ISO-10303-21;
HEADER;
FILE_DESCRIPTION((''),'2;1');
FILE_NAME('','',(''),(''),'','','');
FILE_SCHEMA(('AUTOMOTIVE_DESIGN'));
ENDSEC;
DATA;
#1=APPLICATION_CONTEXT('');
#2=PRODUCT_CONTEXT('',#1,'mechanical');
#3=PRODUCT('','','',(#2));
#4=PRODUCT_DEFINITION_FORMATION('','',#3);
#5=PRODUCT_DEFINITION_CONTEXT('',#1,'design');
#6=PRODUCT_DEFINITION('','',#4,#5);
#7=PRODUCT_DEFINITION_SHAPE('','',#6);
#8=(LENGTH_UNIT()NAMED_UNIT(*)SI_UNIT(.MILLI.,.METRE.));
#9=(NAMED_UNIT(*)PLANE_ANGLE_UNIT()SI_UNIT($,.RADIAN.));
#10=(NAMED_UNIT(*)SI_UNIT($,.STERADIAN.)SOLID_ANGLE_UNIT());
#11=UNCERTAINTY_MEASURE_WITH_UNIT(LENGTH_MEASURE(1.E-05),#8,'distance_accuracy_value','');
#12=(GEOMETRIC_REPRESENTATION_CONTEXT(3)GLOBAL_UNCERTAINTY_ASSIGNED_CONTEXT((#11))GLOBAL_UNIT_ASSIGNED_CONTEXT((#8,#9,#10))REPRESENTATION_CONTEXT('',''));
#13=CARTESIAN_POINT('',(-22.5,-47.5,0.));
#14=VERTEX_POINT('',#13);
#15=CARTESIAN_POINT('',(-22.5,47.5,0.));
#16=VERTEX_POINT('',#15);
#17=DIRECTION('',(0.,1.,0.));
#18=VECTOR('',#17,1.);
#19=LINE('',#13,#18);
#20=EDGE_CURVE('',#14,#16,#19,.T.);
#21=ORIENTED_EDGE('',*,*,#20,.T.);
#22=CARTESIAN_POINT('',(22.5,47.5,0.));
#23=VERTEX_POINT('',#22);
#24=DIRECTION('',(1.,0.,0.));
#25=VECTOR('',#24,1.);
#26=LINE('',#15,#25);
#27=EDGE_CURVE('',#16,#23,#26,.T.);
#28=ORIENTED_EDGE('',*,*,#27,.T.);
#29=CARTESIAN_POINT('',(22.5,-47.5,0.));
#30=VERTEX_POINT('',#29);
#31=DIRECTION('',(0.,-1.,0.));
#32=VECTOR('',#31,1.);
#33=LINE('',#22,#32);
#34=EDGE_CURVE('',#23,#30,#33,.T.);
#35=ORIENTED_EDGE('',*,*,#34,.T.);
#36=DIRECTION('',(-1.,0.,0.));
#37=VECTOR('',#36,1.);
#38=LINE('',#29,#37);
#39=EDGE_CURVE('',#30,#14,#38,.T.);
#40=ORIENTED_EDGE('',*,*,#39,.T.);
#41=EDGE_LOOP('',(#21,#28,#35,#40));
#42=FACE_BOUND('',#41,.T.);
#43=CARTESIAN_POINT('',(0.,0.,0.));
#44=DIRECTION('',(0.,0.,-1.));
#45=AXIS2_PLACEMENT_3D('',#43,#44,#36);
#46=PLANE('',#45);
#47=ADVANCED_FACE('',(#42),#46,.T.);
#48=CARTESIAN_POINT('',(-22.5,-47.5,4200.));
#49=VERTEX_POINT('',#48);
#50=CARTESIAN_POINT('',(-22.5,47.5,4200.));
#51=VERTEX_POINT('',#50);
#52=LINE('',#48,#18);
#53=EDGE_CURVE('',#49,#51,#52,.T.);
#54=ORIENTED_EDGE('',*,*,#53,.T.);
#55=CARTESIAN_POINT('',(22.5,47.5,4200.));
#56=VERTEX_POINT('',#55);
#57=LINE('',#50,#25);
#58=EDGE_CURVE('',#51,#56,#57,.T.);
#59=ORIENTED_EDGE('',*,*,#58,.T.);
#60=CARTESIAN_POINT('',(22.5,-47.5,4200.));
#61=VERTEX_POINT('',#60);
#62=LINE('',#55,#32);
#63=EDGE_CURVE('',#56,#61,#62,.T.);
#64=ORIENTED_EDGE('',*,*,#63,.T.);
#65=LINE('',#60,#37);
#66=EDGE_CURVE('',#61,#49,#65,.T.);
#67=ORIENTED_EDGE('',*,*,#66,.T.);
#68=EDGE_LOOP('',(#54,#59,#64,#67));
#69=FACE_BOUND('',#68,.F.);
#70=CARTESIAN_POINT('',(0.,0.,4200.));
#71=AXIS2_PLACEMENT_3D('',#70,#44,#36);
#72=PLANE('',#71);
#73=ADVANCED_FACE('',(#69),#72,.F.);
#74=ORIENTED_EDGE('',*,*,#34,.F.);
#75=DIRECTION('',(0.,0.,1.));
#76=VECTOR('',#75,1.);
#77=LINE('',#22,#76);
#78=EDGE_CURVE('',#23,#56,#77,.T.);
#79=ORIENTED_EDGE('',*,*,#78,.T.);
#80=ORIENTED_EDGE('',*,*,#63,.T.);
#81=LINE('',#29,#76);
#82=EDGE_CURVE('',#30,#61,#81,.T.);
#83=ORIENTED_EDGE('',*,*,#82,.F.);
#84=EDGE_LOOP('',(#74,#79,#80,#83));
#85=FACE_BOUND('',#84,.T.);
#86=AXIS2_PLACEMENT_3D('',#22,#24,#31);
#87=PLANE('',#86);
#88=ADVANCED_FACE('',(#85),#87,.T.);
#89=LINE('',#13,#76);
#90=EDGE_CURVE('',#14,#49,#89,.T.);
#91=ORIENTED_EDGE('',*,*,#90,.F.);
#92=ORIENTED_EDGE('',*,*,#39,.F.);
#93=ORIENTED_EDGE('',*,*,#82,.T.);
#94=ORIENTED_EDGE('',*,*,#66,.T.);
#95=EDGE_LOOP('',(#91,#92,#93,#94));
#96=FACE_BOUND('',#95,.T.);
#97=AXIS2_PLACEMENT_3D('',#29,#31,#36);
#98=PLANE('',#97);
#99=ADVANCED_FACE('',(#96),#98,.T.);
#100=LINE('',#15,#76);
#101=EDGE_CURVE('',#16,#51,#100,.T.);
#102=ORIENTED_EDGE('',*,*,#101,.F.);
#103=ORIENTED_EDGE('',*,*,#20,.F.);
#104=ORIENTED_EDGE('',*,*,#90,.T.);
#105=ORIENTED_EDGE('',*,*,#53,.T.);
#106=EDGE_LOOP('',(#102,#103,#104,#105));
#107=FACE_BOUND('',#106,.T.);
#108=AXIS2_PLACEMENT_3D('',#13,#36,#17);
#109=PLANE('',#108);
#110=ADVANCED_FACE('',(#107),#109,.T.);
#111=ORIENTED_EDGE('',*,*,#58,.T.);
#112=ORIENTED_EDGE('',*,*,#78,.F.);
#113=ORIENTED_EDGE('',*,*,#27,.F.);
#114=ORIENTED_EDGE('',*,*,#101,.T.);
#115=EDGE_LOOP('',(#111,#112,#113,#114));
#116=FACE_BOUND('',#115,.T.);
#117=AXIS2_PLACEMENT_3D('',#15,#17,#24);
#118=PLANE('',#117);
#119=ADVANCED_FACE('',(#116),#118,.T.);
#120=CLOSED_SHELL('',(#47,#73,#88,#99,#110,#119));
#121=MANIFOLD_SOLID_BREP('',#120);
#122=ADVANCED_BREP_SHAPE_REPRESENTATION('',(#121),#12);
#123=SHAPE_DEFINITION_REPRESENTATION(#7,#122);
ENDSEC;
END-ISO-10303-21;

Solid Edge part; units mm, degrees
sketch "Sketch1" plane through (0, 0, 0) normal (0, 0, -1) x (-1, 0, 0)
  line L0 (-22.5, -47.5) -> (22.5, -47.5)
  line L1 (22.5, -47.5) -> (22.5, 47.5)
  line L2 (22.5, 47.5) -> (-22.5, 47.5)
  line L3 (-22.5, 47.5) -> (-22.5, -47.5)
extrude "Protrusion1" add sketch "Sketch1" against normal blind 4200
properties material "Wood, Pine"
